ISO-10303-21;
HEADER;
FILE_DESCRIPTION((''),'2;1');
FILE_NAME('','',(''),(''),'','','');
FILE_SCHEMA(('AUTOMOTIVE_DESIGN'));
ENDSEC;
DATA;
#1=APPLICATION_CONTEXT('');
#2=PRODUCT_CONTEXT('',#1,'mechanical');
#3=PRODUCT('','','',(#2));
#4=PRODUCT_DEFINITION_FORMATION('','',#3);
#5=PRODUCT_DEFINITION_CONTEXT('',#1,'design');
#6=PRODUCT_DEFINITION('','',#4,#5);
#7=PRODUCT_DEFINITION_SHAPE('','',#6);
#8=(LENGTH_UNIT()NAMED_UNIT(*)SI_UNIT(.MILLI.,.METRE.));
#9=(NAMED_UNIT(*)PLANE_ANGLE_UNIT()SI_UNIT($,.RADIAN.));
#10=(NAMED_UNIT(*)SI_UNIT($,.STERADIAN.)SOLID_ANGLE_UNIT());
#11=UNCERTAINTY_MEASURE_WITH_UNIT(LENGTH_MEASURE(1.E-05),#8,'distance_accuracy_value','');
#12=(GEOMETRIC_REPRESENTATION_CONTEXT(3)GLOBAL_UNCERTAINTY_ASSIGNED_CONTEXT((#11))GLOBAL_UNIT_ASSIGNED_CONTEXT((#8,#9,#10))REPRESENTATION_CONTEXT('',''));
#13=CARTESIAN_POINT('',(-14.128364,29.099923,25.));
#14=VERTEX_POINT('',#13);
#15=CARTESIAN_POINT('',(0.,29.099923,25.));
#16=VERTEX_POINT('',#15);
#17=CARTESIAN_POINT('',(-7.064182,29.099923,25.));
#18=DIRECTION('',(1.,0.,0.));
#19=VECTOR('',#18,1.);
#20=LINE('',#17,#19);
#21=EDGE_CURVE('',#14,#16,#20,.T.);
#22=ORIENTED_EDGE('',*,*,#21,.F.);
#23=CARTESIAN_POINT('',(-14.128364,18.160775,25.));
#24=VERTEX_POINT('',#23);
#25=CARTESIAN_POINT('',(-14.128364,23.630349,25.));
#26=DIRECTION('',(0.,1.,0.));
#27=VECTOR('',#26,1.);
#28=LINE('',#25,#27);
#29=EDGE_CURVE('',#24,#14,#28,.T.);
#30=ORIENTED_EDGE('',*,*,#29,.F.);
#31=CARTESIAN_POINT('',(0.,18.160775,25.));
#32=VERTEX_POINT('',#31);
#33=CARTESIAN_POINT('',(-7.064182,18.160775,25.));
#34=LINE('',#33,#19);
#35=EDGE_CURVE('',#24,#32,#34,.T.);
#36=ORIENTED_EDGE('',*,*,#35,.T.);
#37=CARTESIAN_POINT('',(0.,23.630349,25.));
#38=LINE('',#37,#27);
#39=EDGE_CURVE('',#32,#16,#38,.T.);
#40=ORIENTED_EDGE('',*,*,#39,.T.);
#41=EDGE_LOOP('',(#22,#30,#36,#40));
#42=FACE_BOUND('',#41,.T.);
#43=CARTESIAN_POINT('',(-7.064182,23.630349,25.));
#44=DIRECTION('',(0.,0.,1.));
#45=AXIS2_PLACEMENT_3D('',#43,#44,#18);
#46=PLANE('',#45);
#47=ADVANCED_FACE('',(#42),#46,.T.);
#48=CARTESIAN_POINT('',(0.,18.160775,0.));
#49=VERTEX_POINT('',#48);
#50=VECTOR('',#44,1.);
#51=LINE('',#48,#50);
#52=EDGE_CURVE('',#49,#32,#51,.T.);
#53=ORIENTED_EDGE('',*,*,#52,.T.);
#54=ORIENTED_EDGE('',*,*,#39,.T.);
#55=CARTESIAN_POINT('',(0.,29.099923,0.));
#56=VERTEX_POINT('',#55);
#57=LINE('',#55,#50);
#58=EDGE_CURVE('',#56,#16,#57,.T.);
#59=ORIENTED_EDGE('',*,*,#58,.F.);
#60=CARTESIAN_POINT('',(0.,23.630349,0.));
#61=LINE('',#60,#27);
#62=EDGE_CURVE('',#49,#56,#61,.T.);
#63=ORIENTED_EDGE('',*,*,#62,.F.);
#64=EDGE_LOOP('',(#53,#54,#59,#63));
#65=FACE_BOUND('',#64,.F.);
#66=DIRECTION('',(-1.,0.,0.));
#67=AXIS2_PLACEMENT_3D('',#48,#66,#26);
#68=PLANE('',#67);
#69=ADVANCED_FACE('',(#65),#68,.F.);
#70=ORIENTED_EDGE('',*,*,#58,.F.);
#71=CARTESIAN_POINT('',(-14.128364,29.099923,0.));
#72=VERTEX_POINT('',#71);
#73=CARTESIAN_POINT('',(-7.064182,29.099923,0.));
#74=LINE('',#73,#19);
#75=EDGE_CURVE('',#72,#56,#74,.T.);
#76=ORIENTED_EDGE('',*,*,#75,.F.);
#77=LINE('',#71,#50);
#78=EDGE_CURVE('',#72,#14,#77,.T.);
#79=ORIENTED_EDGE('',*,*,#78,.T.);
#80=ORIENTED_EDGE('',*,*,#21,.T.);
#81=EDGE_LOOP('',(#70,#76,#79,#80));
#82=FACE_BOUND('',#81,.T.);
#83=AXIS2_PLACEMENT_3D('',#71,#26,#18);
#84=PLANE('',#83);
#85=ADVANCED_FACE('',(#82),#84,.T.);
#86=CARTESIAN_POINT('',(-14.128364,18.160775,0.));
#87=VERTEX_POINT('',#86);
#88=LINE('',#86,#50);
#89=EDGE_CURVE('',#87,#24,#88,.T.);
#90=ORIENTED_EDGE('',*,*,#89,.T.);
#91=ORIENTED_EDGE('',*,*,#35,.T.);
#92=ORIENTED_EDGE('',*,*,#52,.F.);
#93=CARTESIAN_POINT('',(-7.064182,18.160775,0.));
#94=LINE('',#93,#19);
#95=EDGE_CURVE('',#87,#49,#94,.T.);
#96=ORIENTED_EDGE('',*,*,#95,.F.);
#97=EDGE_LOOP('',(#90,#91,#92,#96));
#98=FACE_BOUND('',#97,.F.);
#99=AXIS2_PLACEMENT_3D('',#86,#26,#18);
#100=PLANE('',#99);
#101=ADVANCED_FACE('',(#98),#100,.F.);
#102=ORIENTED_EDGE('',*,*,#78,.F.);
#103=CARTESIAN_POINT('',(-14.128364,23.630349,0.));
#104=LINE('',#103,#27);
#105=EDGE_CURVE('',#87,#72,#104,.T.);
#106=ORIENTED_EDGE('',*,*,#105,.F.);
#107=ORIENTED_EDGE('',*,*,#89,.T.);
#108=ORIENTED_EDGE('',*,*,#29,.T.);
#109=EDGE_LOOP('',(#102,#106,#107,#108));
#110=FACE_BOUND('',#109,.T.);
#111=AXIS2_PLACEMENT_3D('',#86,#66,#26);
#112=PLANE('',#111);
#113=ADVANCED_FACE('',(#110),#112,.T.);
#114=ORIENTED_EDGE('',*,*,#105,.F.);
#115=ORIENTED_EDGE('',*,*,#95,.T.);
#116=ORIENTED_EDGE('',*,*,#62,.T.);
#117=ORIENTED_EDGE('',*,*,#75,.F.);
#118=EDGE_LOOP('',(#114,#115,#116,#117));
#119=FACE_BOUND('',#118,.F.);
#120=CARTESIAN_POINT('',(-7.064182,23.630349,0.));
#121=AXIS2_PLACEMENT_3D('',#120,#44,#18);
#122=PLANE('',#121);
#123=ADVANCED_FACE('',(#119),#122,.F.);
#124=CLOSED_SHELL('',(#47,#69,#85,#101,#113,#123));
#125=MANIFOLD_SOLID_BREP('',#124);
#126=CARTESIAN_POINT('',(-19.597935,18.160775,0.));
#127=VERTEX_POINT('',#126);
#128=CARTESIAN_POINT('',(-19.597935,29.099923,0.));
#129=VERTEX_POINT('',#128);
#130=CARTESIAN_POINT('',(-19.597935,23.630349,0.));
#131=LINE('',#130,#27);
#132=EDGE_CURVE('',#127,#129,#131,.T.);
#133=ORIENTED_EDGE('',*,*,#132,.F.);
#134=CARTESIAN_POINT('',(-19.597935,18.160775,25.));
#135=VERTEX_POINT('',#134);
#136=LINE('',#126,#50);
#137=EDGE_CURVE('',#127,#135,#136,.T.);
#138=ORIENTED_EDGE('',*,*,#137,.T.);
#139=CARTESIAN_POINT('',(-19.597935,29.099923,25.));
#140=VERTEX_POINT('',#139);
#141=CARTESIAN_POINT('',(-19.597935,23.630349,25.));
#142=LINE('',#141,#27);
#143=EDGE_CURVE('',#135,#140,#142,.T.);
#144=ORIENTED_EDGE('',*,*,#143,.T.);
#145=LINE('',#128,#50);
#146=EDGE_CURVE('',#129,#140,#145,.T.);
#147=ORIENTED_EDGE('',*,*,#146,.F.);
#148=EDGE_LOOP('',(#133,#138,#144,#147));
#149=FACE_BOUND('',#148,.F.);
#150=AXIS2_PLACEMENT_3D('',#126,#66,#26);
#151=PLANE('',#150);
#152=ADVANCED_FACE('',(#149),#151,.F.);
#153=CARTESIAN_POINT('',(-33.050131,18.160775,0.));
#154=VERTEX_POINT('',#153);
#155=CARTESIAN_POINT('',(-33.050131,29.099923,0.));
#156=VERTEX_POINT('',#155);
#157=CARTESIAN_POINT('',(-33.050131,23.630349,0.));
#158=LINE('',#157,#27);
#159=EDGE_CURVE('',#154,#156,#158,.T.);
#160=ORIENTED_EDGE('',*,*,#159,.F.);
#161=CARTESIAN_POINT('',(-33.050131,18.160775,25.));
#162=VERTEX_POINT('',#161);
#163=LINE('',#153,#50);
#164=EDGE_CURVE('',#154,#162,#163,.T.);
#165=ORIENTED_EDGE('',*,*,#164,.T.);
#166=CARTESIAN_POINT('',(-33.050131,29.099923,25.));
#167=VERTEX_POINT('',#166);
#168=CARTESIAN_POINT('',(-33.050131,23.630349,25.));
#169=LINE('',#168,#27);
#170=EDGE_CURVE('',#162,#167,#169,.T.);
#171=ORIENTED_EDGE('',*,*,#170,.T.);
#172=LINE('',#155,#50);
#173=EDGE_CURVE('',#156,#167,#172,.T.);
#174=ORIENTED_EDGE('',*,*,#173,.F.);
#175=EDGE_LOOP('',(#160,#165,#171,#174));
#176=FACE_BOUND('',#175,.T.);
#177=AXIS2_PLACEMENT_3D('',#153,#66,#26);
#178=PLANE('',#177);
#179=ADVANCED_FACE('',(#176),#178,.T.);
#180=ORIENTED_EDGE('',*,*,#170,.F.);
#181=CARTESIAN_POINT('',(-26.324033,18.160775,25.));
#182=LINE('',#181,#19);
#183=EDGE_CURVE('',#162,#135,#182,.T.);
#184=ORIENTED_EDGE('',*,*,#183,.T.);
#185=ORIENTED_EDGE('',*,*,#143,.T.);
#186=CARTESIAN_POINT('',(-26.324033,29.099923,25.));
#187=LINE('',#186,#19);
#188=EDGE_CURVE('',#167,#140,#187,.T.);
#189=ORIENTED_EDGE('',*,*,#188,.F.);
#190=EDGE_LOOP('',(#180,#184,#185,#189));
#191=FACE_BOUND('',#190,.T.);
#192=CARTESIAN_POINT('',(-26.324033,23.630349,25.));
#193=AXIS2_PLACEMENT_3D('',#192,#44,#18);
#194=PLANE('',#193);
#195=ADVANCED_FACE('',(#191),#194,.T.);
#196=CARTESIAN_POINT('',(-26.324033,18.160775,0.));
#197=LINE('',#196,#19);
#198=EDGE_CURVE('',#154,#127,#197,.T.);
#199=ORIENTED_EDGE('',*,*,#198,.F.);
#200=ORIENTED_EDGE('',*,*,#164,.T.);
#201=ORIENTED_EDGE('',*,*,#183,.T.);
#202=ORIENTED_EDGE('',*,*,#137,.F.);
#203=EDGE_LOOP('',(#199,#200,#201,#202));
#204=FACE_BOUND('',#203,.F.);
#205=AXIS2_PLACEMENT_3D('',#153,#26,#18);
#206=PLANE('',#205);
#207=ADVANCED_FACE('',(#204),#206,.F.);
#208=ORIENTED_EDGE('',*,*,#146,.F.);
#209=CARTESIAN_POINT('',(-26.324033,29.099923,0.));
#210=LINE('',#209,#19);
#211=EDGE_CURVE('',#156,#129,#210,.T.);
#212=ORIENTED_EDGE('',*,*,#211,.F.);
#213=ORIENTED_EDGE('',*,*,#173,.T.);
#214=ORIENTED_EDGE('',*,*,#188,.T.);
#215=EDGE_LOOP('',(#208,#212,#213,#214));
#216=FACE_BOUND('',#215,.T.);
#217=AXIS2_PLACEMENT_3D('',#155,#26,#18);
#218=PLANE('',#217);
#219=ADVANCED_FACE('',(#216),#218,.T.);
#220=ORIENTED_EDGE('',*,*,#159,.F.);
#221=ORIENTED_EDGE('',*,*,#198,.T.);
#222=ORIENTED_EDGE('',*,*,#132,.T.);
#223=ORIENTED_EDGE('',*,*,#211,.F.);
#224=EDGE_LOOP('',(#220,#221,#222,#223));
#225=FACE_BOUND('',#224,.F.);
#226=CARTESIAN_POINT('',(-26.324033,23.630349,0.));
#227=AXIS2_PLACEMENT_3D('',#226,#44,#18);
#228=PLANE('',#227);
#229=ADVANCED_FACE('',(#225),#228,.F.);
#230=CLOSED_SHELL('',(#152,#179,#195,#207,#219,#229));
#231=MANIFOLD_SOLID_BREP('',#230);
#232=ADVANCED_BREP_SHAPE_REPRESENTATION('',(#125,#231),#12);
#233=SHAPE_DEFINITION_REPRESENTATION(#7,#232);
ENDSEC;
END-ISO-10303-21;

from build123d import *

# Parameters (mm, degrees)
F0_W     = 13.452195
F0_H     = 10.939148
F0_W_2   = 14.128364
F1_DEPTH = 25


with BuildPart() as f1:
    # F0 (on Top) → F1 (new body)
    with BuildSketch(Plane.XY):
        with Locations((-26.324033, 23.630349)):
            Rectangle(F0_W, F0_H)
        with Locations((-7.064182, 23.630349)):
            Rectangle(F0_W_2, F0_H)
    extrude(amount=F1_DEPTH)


solid = f1.part
